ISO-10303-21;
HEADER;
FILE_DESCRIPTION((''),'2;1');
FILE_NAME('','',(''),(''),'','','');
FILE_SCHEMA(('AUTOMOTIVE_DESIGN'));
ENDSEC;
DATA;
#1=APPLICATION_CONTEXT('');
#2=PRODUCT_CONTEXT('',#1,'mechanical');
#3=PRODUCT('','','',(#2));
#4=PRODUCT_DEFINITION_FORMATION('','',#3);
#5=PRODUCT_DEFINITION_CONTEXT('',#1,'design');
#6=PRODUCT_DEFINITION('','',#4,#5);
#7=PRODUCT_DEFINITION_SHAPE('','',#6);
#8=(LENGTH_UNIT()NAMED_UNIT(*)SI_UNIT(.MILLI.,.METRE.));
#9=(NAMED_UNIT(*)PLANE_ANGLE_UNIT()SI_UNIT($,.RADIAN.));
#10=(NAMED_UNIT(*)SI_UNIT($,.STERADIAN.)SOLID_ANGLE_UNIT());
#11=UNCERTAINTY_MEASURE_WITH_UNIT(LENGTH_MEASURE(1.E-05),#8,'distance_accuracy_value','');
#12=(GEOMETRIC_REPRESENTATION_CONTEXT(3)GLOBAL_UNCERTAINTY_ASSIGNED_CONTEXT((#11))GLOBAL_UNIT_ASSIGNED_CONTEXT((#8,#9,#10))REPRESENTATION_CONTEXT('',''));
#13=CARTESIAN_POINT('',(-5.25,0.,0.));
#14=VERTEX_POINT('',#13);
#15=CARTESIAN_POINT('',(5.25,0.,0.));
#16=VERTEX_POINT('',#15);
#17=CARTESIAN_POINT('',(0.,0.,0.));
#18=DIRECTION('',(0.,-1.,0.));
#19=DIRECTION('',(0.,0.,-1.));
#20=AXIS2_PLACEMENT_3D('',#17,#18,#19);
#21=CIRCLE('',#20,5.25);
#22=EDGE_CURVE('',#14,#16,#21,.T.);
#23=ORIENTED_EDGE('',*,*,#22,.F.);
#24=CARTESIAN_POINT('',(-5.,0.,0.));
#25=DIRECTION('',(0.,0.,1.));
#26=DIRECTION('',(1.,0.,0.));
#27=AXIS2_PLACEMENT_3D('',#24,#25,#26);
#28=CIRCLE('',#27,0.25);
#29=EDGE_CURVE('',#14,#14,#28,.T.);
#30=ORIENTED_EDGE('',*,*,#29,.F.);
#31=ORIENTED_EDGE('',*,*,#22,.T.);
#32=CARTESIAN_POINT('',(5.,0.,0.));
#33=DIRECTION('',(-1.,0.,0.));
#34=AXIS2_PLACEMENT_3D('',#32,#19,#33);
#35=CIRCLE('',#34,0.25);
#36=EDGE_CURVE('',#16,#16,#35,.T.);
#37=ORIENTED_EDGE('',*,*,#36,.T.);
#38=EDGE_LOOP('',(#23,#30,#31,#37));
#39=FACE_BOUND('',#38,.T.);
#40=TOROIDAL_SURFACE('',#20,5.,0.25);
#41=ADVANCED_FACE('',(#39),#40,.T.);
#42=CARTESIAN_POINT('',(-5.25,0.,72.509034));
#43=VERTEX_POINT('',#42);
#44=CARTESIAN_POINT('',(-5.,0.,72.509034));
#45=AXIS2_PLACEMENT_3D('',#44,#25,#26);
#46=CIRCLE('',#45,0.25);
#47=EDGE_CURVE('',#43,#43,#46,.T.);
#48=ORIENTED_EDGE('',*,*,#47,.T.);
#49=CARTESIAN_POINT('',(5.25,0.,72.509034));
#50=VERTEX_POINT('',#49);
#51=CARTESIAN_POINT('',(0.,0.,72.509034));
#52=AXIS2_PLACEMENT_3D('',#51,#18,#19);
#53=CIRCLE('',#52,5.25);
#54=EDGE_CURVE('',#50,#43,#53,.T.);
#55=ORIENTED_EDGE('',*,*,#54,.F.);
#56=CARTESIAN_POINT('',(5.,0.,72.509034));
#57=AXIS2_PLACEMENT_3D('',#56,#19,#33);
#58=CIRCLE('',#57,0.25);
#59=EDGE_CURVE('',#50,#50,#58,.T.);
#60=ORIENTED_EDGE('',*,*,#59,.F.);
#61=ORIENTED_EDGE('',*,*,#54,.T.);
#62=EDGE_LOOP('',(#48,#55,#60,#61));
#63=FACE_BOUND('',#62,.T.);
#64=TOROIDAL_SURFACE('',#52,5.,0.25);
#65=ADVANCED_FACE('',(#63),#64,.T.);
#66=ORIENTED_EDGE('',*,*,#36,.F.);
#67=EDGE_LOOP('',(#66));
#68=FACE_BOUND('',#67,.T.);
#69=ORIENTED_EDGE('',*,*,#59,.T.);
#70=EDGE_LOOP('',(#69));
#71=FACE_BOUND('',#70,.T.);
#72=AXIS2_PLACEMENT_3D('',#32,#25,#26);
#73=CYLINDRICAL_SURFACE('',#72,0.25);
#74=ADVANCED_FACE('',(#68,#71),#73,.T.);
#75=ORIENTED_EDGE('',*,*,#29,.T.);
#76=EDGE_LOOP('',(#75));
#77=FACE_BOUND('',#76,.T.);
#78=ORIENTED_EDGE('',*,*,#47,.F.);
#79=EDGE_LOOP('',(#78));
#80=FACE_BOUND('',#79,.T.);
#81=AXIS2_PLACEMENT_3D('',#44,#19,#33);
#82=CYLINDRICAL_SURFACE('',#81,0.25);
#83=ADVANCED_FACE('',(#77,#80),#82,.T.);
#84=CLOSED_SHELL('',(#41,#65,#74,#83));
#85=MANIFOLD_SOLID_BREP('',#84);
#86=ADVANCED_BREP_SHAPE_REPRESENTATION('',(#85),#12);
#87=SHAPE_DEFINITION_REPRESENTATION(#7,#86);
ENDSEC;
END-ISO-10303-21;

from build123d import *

# Parameters (mm, degrees)
ESQUISSE2_R = 0.25


with BuildPart() as part:
    # Balayage1: sweep along a path in Esquisse1
    with BuildLine(Plane(origin=(0, 0, 0), x_dir=(1, 0, 0), z_dir=(0, 1, 0))) as balayage1_path:
        Line((-5, 0), (-5, -72.509034))
        ThreePointArc((-5, -72.509034), (0, -77.509034), (5, -72.509034))
        Line((5, -72.509034), (5, 0))
        ThreePointArc((5, 0), (0, 5), (-5, 0))
    # Esquisse2 → Balayage1 (sweep)
    with BuildSketch(Plane.XY):
        with Locations((-5, 0)):
            Circle(ESQUISSE2_R)
    sweep(path=balayage1_path.line)


solid = part.part
